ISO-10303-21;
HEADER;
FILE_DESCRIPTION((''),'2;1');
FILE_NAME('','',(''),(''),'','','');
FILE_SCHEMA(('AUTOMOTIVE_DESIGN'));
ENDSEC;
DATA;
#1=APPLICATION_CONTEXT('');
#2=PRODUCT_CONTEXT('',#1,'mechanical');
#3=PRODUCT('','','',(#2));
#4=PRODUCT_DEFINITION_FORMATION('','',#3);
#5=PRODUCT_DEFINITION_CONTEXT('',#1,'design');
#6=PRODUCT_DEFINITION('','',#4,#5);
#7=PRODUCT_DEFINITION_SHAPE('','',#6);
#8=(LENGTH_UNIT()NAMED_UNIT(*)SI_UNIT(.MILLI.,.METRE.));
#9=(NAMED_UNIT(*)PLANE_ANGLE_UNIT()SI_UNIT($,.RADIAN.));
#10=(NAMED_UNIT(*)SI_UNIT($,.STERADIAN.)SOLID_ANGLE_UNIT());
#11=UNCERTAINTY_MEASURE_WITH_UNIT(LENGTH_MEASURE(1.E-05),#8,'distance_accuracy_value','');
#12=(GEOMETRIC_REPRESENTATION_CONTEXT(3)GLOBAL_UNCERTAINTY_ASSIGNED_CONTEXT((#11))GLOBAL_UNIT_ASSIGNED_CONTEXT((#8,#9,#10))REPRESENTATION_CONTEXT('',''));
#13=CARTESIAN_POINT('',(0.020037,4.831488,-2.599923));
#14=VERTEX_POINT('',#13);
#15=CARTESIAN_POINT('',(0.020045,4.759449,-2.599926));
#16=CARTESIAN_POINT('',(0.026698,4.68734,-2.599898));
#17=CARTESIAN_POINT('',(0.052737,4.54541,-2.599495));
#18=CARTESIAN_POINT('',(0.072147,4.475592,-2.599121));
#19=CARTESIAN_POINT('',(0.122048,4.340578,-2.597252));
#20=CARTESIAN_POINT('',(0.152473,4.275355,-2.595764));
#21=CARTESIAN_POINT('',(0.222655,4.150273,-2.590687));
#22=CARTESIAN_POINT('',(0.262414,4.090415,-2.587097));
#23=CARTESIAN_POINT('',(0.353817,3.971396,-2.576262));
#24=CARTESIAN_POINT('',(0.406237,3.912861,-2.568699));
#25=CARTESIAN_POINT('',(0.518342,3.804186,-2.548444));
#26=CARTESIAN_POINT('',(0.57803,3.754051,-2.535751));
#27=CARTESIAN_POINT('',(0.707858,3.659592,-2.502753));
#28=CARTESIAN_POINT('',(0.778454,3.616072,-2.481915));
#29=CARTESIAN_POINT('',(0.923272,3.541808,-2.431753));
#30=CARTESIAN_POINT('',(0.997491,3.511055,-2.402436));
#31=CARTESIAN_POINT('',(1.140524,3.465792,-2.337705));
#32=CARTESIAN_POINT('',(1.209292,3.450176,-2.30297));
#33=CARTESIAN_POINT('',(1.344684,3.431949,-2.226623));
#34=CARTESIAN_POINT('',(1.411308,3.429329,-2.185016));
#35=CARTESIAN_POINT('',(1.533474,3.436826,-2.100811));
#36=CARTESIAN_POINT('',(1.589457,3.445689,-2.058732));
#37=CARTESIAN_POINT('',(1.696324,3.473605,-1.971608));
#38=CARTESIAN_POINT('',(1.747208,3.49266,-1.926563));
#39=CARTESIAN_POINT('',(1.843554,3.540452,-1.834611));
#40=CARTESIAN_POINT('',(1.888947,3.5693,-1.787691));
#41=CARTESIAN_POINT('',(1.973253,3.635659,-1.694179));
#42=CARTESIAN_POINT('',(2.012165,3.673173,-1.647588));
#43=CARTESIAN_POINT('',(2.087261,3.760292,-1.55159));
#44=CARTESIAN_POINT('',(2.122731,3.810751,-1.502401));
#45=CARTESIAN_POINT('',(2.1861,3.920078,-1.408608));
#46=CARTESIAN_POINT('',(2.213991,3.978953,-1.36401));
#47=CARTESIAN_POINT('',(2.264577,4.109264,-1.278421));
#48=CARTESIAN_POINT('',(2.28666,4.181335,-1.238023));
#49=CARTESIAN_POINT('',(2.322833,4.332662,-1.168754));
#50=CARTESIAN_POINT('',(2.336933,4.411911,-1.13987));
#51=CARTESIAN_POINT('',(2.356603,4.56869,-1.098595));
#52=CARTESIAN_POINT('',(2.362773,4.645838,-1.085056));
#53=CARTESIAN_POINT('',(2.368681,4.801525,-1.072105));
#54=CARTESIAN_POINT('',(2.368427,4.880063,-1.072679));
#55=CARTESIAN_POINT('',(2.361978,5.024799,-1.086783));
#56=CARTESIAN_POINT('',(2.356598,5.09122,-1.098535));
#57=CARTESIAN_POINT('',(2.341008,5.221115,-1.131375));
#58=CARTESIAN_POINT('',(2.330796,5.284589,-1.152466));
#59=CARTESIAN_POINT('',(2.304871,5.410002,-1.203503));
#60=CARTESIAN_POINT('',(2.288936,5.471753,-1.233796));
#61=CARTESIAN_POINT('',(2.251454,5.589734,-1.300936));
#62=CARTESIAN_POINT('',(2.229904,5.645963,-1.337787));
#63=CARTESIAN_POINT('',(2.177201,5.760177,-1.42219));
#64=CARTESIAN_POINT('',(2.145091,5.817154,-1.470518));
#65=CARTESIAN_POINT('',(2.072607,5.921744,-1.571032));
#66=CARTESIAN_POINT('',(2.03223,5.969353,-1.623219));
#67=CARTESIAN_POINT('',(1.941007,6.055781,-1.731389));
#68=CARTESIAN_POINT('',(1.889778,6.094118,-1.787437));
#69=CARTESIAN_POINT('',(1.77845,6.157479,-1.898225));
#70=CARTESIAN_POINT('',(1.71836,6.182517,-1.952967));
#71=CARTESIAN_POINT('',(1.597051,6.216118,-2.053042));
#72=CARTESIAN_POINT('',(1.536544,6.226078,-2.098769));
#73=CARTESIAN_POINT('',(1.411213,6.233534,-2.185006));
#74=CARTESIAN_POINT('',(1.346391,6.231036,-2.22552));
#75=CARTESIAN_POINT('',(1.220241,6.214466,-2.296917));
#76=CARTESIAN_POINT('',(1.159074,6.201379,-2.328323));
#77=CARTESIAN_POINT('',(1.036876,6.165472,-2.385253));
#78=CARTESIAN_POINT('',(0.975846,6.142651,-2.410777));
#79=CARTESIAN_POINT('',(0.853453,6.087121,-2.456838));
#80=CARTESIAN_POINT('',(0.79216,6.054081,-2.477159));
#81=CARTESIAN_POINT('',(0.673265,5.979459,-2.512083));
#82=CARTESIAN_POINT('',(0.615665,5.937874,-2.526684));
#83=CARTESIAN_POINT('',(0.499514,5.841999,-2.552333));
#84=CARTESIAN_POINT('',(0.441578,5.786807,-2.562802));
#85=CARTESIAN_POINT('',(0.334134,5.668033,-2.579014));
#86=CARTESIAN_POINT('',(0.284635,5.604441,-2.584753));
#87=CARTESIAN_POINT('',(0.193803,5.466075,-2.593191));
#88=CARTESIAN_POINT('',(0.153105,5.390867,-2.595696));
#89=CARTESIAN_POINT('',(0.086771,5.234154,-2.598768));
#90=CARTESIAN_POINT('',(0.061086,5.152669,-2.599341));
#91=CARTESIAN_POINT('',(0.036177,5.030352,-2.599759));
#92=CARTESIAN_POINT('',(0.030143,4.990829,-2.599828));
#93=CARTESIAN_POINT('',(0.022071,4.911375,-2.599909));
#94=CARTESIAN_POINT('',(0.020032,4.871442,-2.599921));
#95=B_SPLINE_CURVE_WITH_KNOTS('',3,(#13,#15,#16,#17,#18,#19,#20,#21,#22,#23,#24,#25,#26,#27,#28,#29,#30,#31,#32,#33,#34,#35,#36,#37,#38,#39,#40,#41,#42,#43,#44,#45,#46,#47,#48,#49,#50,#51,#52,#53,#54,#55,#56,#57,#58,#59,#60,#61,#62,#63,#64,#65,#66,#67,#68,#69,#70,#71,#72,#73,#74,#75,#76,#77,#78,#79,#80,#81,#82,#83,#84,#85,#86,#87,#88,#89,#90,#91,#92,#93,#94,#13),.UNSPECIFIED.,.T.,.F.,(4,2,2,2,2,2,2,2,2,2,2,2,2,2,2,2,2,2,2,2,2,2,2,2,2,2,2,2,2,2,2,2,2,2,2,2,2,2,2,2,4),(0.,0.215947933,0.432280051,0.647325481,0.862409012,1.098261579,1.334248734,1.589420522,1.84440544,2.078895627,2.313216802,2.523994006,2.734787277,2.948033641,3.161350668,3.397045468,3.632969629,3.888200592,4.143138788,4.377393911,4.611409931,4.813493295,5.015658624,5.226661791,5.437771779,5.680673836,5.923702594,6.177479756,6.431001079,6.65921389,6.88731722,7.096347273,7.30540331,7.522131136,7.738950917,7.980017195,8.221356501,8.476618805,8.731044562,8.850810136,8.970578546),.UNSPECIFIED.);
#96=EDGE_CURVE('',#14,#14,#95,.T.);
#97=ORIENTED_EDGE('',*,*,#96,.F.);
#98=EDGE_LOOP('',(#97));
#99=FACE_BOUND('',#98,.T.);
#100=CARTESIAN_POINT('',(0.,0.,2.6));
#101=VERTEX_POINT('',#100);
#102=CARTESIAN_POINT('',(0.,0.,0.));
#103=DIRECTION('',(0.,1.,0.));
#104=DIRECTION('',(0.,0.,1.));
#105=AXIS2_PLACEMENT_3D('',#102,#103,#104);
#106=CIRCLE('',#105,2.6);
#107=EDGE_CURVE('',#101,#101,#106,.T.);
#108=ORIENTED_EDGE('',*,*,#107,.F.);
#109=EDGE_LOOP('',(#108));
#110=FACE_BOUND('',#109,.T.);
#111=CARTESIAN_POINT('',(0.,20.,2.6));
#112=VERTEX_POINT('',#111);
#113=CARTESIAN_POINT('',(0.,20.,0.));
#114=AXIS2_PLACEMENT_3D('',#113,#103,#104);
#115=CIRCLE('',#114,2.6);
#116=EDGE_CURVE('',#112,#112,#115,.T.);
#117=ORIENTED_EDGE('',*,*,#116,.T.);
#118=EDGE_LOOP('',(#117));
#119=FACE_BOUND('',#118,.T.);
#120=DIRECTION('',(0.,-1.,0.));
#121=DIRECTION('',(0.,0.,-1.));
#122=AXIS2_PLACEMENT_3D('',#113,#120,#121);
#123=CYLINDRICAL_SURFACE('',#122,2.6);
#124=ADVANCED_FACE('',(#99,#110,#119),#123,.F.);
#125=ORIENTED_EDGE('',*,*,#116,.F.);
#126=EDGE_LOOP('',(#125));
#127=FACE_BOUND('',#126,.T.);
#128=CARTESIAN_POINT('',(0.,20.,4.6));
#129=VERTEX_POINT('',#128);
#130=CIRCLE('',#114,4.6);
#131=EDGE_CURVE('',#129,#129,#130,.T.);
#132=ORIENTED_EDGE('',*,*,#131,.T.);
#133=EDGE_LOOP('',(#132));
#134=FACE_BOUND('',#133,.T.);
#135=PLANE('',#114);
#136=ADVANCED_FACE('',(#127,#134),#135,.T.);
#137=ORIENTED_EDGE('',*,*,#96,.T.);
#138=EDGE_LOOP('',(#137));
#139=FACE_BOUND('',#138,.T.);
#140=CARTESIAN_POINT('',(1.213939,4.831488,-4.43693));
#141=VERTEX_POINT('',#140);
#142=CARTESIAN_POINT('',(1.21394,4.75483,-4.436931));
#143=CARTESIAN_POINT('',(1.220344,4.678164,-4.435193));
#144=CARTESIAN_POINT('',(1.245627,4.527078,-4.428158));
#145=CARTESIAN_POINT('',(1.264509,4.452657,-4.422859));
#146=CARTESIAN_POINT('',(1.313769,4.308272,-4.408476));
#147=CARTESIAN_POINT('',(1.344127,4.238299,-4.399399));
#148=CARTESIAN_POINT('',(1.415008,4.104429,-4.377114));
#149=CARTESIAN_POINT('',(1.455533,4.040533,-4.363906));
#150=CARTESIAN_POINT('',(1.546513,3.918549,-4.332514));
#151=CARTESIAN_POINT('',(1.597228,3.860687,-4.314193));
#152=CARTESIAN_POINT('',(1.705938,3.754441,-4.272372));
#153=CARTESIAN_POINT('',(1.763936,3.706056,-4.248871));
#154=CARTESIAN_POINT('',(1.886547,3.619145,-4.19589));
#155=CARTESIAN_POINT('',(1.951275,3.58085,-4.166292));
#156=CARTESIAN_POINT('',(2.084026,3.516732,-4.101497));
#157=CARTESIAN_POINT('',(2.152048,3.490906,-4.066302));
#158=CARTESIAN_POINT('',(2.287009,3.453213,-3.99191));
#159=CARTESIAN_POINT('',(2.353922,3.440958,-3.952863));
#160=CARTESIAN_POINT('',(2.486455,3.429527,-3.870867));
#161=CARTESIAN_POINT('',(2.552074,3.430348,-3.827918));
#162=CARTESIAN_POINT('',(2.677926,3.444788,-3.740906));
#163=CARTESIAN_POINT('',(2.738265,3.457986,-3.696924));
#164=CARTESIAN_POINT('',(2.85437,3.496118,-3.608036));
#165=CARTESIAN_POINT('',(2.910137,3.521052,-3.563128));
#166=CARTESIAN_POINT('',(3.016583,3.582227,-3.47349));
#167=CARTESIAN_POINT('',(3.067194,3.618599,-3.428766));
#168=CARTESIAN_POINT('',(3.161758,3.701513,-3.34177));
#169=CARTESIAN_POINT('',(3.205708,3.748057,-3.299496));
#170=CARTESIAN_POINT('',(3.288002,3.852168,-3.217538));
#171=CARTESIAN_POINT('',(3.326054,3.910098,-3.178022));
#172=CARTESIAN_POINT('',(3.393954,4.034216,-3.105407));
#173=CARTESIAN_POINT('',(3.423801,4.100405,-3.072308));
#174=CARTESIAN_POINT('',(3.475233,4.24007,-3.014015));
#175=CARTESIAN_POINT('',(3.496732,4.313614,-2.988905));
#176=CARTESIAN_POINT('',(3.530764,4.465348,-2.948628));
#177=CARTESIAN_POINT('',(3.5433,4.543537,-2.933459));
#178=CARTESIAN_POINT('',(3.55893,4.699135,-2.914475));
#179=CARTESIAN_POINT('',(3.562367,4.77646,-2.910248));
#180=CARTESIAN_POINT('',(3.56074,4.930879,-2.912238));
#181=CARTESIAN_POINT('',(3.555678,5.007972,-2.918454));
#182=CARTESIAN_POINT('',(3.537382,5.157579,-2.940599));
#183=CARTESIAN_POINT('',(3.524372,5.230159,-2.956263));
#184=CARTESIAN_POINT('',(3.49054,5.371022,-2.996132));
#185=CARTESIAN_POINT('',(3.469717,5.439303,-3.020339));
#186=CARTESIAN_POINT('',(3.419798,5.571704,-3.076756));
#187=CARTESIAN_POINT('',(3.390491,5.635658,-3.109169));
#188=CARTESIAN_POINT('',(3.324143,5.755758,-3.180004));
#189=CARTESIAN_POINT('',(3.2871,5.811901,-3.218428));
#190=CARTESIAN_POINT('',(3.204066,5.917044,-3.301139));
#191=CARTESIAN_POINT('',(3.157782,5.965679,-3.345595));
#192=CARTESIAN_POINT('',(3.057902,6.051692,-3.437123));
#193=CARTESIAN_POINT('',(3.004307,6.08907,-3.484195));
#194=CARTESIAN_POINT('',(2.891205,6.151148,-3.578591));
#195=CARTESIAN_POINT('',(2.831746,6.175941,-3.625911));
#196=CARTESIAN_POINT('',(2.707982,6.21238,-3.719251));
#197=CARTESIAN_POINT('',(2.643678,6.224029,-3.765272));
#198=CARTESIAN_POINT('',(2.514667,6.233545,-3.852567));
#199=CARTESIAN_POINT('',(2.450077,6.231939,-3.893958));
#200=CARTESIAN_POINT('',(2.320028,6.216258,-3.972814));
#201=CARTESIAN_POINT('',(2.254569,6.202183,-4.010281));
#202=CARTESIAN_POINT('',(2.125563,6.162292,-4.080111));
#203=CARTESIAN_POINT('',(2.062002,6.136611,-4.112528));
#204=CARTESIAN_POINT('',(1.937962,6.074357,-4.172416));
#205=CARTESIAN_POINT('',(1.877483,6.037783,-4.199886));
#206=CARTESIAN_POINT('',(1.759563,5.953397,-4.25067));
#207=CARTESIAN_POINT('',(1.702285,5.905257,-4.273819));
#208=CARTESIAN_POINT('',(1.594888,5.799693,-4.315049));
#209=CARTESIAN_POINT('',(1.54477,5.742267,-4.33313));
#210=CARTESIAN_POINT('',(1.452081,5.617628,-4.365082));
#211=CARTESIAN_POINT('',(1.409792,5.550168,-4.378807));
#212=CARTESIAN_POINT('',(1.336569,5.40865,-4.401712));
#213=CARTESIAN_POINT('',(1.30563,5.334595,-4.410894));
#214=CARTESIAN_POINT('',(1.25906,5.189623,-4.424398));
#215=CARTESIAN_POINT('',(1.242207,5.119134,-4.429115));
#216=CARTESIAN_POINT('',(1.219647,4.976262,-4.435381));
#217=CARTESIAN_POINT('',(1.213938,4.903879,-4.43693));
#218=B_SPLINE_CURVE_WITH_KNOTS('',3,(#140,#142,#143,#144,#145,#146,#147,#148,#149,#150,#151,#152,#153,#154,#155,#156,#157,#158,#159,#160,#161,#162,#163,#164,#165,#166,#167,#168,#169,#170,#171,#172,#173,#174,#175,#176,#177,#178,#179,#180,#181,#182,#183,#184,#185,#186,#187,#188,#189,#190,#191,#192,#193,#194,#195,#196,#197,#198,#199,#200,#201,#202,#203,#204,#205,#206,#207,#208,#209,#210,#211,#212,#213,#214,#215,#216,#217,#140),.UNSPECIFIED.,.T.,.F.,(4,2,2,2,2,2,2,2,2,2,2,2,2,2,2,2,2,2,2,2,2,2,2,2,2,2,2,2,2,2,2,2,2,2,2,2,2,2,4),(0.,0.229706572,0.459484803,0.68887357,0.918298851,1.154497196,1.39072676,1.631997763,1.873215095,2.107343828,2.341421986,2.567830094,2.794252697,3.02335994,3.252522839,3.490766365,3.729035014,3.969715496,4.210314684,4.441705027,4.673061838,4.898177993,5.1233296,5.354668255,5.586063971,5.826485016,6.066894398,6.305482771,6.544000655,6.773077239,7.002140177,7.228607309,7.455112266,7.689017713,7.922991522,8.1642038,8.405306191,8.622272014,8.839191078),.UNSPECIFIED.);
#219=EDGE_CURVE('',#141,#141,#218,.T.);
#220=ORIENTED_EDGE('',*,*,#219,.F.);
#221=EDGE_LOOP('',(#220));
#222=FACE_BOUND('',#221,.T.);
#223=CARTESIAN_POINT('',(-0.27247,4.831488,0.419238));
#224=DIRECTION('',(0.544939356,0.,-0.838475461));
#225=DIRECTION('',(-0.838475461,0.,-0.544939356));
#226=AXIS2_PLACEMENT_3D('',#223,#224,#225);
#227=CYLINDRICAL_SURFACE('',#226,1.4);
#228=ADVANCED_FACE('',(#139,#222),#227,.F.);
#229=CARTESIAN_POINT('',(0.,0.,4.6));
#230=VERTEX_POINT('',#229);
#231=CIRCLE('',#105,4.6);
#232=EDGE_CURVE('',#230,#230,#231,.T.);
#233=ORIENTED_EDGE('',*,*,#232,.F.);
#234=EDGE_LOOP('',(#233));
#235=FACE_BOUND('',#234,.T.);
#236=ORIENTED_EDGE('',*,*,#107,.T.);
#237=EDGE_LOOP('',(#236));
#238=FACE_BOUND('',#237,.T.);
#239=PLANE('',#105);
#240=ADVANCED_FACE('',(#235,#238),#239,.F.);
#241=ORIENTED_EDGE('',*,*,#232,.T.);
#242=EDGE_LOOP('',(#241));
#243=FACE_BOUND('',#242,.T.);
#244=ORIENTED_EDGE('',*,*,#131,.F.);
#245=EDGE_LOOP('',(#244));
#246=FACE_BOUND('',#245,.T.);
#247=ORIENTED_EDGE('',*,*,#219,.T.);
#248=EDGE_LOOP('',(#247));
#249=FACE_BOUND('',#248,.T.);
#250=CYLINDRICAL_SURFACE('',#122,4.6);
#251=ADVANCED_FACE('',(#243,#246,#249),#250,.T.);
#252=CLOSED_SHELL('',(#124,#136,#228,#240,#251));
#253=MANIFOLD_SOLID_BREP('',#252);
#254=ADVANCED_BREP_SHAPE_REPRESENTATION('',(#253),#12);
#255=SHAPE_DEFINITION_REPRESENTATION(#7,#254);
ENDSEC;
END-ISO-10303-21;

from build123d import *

# Parameters (mm, degrees)
SKETCH1_R           = 4.6
SKETCH1_R_2         = 2.6
BOSS_EXTRUDE1_DEPTH = 20
SKETCH3_R           = 1.4
CUT_EXTRUDE2_DEPTH  = 8


with BuildPart() as part:
    # Sketch1 → Boss-Extrude1 (new body)
    with BuildSketch(Plane(origin=(0, 0, 0), x_dir=(1, 0, 0), z_dir=(0, 1, 0))):
        with Locations(Location((0, 0, 0), (0, 0, 270))):
            Circle(SKETCH1_R)
        with Locations(Location((0, 0, 0), (0, 0, 270))):
            Circle(SKETCH1_R_2, mode=Mode.SUBTRACT)
    extrude(amount=BOSS_EXTRUDE1_DEPTH)

    # Sketch3 → Cut-Extrude2 (cut)
    with BuildSketch(Plane(origin=(-1.472015014, -1.458306646, -9.901493005), x_dir=(-0.8384754610640808, 0, -0.5449393555189213), z_dir=(0.5449393555189213, 0, -0.8384754610640808))):
        with Locations((-6.629961684, 6.289794724)):
            Circle(SKETCH3_R)
    extrude(amount=-CUT_EXTRUDE2_DEPTH, mode=Mode.SUBTRACT)


solid = part.part
